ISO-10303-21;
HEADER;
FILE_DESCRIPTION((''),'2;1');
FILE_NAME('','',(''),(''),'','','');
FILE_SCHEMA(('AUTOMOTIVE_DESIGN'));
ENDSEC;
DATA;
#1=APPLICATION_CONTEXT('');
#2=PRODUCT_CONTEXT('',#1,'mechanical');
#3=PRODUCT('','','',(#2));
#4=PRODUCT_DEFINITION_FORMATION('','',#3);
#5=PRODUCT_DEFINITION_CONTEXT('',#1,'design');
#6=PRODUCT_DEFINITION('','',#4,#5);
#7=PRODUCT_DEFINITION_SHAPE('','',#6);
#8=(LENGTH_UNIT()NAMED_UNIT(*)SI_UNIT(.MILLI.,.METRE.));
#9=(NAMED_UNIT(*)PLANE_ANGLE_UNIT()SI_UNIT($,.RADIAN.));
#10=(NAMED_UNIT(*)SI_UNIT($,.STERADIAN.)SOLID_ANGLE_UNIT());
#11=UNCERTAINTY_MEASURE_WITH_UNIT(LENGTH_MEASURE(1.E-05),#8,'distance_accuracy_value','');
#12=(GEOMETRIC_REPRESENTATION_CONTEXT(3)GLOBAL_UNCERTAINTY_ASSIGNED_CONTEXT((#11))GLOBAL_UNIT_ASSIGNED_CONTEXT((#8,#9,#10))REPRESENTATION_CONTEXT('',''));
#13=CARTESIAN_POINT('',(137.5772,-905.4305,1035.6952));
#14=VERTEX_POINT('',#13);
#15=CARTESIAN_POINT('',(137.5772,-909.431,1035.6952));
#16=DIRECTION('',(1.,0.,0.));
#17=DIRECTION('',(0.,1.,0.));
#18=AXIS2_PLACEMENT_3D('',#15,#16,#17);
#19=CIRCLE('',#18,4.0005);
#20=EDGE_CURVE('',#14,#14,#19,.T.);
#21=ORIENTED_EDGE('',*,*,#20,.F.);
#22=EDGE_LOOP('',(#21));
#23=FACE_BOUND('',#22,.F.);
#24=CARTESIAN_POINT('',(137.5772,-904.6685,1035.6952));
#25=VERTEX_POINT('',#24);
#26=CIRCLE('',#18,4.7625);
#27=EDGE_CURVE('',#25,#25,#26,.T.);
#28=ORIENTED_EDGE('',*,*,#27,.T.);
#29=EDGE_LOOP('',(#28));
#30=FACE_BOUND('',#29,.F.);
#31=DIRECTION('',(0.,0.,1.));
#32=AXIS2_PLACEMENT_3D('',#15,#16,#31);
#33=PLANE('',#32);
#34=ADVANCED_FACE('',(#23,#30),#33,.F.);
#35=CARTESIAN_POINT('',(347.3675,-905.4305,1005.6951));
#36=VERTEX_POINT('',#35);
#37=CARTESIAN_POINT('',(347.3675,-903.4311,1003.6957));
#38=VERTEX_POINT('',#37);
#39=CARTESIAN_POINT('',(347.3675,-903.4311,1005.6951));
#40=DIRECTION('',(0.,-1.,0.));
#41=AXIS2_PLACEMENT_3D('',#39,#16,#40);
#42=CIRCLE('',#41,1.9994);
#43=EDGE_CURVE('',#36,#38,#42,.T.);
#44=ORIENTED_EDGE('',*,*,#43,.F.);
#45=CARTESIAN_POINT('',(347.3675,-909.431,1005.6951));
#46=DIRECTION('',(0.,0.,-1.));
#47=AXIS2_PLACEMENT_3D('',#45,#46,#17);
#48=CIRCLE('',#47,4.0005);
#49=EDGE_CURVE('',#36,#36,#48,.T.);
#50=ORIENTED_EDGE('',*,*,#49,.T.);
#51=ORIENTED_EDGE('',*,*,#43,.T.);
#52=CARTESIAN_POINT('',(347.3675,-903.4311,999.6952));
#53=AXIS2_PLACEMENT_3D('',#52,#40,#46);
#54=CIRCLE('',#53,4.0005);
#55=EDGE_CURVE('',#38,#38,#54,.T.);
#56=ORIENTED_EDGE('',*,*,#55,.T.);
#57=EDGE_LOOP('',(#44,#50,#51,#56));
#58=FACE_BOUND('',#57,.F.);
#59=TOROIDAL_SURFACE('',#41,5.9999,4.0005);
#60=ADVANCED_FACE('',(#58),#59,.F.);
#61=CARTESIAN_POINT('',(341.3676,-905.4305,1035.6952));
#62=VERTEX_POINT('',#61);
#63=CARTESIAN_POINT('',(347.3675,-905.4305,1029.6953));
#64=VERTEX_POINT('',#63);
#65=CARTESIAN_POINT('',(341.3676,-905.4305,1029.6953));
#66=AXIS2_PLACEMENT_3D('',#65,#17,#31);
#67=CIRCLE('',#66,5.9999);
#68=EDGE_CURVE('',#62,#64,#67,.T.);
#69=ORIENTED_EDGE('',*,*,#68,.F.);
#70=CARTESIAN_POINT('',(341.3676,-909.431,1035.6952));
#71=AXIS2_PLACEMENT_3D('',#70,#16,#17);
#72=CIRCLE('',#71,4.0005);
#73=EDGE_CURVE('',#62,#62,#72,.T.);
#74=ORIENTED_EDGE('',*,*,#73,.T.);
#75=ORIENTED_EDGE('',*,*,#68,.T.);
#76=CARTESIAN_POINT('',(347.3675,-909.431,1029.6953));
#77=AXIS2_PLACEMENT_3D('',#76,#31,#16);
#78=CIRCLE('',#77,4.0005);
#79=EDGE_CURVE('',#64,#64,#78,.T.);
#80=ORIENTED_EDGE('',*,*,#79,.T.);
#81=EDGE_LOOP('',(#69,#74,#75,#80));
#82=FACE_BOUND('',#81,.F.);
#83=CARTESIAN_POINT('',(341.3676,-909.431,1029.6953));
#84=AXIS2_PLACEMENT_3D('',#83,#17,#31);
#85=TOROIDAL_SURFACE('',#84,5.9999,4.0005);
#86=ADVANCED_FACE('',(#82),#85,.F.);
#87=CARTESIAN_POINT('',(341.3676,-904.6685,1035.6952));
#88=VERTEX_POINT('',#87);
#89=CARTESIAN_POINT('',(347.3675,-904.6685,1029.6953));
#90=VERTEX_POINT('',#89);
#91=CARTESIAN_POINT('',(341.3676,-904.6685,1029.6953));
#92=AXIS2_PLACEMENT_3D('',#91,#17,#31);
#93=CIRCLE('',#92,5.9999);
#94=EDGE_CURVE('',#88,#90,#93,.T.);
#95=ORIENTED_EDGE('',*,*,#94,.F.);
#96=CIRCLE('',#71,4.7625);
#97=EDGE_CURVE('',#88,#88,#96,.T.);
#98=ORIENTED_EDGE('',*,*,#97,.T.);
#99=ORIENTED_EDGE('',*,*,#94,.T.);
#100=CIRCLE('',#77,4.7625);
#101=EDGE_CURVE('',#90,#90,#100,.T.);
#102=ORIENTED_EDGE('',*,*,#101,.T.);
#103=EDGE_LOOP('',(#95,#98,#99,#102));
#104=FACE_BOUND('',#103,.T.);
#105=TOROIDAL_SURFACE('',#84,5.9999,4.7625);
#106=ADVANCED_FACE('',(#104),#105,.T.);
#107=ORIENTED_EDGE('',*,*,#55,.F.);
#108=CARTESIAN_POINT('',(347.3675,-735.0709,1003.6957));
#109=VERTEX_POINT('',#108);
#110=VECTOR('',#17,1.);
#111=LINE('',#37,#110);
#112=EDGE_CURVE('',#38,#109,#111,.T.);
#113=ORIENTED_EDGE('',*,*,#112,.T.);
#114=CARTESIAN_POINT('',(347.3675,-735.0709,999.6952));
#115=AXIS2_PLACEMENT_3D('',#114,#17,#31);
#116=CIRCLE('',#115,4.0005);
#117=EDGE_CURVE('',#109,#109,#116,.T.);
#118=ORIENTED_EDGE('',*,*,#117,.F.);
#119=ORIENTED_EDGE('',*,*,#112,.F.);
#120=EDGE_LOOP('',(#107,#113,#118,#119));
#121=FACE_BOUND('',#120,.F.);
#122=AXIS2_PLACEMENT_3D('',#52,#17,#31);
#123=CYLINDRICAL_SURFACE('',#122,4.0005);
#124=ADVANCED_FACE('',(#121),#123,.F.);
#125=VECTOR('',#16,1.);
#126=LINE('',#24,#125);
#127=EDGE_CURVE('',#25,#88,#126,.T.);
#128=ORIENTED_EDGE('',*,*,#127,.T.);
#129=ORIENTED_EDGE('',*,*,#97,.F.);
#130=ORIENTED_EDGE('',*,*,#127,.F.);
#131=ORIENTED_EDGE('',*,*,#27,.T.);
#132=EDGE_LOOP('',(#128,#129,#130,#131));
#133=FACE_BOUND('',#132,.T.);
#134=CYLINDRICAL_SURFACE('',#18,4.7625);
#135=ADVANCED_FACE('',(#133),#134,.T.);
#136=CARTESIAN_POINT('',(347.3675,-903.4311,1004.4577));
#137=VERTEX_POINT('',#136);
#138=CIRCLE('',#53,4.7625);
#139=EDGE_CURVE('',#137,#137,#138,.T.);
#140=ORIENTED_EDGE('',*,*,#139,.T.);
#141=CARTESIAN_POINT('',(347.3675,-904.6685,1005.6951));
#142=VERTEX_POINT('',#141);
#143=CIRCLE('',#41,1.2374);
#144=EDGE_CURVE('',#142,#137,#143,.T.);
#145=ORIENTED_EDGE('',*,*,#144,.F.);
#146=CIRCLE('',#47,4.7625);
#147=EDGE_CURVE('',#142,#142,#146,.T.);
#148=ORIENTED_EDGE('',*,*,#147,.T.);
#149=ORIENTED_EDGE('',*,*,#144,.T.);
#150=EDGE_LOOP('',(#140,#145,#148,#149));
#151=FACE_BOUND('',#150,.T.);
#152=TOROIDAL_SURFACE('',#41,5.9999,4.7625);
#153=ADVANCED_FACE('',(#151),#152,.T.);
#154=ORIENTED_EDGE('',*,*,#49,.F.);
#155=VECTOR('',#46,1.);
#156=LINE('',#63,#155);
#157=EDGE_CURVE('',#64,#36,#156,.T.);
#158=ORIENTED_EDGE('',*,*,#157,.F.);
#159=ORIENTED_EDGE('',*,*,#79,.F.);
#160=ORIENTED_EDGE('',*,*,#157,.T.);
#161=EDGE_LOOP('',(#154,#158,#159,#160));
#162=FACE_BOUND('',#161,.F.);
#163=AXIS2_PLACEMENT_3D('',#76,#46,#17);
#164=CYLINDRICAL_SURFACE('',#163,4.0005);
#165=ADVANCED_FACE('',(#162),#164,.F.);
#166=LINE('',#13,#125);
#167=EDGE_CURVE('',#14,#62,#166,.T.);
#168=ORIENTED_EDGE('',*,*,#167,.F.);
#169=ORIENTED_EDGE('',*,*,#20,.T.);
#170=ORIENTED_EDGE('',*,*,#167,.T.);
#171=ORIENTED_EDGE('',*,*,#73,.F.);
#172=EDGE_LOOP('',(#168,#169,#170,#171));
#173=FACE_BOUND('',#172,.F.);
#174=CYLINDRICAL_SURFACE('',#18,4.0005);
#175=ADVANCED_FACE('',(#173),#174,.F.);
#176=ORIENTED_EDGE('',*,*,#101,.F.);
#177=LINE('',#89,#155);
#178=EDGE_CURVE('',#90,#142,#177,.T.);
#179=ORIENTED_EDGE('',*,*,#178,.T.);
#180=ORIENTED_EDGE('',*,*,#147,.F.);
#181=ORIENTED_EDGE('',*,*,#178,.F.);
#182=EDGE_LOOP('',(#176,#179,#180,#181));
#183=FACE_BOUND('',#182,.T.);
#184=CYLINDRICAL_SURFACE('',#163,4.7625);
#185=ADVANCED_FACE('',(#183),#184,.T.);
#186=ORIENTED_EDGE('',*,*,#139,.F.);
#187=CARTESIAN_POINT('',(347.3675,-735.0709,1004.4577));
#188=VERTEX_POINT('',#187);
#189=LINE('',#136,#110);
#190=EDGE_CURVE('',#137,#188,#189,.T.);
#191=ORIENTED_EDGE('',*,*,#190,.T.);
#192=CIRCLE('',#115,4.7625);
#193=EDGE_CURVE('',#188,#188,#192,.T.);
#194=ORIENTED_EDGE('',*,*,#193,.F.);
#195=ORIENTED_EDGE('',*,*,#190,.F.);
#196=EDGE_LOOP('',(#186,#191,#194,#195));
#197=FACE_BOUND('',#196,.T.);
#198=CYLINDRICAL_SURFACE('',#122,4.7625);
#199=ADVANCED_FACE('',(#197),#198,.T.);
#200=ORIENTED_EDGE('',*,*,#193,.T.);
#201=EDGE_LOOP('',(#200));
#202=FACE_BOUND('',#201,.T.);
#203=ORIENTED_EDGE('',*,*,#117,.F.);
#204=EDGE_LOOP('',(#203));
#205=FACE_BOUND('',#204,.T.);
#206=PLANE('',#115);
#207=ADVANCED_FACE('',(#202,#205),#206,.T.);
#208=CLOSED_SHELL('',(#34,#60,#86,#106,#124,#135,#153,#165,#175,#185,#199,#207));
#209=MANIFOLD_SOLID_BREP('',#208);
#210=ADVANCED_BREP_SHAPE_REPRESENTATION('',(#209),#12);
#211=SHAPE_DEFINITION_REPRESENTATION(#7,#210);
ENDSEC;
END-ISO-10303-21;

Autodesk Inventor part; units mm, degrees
ref_plane "YZ Plane" through (0, 0, 0) normal (1, 0, 0) x (0, 1, 0)
ref_plane "XZ Plane" through (0, 0, 0) normal (0, 1, 0) x (-1, 0, 0)
ref_plane "Work Plane3" through (137.5772, -909.431, 1035.6952) normal (1, 0, 0) x (0, 1, 0)
sketch "Sketch5" plane through (137.5772, -909.431, 1035.6952) normal (1, 0, 0) x (0, 1, 0)
  circle A0 centre (0, 0) radius 4.7625
  circle A1 centre (0, 0) radius 4.0005
sketch3d "3D Sketch3"
  line L0 (137.5772, -909.431, 1035.6952) -> (341.3676, -909.431, 1035.6952)
  arc A0 (341.3676, -909.431, 1035.6952) -> (347.3675, -909.431, 1029.6953) centre (341.3676, -909.431, 1029.6953) ccw
  line L1 (347.3675, -909.431, 1029.6953) -> (347.3675, -909.431, 1005.6951)
  arc A1 (347.3675, -909.431, 1005.6951) -> (347.3675, -903.4311, 999.6952) centre (347.3675, -903.4311, 1005.6951) ccw
  line L2 (347.3675, -903.4311, 999.6952) -> (347.3675, -735.0709, 999.6952)
  dimension "d12" = 5.9999
  dimension "d13" = 5.9999
sweep "Sweep3" add profiles "Sketch5" path "3D Sketch3"
equation "\"OD\" = 9.525"
equation "\"t\" = 0.762"
equation "\"L\" = PL"
equation "\"ID\" = 8.001"
equation "\"PL\" = 415.0106"
equation "\"Size_Designation\" = 1.2345"
properties material "Copper"
